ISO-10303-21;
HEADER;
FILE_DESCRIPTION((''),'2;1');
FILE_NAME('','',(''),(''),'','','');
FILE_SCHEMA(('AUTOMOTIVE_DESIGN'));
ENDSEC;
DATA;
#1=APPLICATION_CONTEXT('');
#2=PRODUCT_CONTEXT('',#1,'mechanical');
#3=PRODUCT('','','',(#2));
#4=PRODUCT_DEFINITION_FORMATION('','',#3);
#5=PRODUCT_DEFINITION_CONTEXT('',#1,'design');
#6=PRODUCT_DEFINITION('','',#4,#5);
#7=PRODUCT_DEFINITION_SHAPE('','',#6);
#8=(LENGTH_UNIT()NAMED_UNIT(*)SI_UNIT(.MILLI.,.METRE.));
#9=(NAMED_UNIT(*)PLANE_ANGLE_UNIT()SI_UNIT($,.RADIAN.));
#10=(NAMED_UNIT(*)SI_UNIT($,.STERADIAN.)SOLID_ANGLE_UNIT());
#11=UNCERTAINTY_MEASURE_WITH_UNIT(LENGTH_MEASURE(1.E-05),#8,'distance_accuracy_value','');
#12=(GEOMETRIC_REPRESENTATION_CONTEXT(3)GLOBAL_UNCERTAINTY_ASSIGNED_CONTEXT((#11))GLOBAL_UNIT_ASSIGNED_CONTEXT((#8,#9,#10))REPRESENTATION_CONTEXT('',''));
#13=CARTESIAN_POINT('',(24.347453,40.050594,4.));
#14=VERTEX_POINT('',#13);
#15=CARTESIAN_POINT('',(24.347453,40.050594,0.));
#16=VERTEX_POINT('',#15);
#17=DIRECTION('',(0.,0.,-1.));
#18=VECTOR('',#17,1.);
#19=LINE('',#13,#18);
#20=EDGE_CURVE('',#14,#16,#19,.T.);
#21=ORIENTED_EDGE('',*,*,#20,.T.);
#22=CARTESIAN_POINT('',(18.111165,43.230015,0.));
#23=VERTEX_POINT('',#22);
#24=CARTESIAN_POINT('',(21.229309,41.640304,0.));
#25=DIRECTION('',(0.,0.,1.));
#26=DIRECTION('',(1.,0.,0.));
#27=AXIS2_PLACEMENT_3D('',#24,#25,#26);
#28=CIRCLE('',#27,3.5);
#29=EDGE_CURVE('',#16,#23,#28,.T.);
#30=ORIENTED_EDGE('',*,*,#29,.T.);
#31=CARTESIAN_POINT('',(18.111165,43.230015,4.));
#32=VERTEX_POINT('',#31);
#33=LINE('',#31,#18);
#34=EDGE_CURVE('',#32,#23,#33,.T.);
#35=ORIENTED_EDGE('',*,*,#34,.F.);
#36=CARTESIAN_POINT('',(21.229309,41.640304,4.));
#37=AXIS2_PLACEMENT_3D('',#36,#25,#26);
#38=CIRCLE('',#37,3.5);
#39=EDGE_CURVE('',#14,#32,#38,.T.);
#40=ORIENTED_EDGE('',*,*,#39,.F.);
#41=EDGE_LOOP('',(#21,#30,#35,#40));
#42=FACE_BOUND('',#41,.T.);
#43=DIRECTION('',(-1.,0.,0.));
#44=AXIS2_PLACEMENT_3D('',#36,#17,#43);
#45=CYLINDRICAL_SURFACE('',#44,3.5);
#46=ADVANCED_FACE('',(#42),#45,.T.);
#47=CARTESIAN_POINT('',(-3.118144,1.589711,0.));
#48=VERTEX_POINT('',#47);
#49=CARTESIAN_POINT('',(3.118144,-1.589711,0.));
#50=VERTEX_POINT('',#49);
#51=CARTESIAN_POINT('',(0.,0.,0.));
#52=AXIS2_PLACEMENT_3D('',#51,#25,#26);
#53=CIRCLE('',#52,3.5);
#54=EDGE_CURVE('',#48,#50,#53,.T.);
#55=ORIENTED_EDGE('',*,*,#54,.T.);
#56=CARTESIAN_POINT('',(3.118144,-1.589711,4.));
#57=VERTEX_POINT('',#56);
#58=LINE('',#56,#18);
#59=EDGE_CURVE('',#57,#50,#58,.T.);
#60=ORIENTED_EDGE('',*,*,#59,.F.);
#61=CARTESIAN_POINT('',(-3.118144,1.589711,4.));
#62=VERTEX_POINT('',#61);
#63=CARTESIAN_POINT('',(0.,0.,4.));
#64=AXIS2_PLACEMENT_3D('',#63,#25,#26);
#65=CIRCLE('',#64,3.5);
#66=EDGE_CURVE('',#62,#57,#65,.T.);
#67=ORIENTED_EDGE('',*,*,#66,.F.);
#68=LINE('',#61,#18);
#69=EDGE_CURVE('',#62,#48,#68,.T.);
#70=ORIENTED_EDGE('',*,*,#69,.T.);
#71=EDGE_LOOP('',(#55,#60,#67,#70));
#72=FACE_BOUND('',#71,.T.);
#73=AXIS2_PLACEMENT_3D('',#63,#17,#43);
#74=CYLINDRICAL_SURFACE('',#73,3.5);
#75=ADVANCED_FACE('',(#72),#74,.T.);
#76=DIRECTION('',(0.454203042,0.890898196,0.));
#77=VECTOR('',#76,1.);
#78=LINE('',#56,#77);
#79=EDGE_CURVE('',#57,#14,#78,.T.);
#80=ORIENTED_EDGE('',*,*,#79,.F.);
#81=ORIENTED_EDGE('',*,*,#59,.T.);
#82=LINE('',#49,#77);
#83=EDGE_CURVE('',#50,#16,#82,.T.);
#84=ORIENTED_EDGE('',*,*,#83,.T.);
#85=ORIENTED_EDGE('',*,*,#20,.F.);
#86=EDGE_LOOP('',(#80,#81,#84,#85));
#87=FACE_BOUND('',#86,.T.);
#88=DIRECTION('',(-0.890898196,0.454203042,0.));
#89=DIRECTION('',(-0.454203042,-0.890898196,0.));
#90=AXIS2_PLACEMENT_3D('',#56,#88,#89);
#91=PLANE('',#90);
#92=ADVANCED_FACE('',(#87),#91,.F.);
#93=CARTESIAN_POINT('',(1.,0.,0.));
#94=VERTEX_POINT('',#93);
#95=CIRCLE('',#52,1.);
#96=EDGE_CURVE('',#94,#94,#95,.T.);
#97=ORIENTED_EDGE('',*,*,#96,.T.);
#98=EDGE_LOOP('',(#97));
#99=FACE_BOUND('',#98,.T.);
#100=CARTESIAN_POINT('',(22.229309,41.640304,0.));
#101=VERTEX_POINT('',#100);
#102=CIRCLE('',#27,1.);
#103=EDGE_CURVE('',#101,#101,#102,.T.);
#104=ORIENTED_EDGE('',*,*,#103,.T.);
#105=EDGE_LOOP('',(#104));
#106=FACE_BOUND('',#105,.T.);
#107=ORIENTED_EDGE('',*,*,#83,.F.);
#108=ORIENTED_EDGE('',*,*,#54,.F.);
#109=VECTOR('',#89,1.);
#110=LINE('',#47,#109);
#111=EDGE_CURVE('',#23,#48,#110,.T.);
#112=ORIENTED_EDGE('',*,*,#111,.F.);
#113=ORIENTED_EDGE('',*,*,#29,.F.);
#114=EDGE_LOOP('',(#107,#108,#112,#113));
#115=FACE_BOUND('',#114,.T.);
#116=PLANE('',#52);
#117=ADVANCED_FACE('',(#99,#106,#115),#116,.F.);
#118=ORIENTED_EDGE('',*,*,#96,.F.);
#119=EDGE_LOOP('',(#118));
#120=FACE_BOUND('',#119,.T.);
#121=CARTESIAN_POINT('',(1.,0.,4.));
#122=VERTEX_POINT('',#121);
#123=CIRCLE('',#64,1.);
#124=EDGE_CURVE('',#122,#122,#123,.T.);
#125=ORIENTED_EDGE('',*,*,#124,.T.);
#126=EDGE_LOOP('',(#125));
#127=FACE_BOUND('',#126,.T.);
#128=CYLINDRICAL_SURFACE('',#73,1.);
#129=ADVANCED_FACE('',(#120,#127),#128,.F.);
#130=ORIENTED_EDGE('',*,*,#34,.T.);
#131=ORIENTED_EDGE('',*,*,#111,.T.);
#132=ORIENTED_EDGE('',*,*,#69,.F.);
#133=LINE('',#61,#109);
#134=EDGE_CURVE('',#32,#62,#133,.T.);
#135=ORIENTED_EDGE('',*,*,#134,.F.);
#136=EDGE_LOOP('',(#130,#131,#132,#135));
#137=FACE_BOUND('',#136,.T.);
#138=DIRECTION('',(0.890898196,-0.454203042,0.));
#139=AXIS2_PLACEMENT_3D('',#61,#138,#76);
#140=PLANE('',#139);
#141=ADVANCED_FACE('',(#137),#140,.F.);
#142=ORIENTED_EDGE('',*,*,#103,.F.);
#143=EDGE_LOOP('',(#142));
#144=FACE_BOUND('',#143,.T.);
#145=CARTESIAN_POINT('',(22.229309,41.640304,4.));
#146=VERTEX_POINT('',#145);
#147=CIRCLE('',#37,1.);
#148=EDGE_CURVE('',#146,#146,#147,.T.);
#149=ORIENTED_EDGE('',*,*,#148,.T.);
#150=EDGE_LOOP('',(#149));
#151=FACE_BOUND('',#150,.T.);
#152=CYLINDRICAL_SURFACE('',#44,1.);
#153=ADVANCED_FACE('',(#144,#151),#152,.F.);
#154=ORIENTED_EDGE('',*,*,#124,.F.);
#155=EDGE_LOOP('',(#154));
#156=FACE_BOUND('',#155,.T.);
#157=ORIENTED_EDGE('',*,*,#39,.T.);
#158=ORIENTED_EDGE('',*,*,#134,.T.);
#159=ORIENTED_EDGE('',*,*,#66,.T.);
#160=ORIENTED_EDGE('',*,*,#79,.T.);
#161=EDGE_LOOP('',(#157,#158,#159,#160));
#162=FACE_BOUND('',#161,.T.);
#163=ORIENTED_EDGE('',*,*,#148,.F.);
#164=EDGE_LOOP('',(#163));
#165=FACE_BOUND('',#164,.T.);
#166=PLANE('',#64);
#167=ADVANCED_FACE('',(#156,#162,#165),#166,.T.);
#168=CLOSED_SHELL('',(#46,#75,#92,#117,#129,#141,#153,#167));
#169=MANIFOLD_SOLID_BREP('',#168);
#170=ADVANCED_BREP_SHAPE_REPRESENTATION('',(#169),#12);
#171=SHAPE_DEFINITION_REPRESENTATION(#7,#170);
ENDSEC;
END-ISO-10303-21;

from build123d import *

# Parameters (mm, degrees)
SKETCH1_R           = 1
BOSS_EXTRUDE1_DEPTH = 4


with BuildPart() as part:
    # Sketch1 → Boss-Extrude1 (new body)
    with BuildSketch(Plane.XY):
        with BuildLine():
            Line((-3.118143687, 1.589710648), (18.111165137, 43.230015044))
            ThreePointArc((18.111165137, 43.230015044), (22.819019472, 44.758448083), (24.347452511, 40.050593747))
            Line((24.347452511, 40.050593747), (3.118143687, -1.589710648))
            ThreePointArc((3.118143687, -1.589710648), (-1.589710648, -3.118143687), (-3.118143687, 1.589710648))
        make_face()
        with Locations((21.229308824, 41.640304396)):
            Circle(SKETCH1_R, mode=Mode.SUBTRACT)
        Circle(SKETCH1_R, mode=Mode.SUBTRACT)
    extrude(amount=BOSS_EXTRUDE1_DEPTH)


solid = part.part
